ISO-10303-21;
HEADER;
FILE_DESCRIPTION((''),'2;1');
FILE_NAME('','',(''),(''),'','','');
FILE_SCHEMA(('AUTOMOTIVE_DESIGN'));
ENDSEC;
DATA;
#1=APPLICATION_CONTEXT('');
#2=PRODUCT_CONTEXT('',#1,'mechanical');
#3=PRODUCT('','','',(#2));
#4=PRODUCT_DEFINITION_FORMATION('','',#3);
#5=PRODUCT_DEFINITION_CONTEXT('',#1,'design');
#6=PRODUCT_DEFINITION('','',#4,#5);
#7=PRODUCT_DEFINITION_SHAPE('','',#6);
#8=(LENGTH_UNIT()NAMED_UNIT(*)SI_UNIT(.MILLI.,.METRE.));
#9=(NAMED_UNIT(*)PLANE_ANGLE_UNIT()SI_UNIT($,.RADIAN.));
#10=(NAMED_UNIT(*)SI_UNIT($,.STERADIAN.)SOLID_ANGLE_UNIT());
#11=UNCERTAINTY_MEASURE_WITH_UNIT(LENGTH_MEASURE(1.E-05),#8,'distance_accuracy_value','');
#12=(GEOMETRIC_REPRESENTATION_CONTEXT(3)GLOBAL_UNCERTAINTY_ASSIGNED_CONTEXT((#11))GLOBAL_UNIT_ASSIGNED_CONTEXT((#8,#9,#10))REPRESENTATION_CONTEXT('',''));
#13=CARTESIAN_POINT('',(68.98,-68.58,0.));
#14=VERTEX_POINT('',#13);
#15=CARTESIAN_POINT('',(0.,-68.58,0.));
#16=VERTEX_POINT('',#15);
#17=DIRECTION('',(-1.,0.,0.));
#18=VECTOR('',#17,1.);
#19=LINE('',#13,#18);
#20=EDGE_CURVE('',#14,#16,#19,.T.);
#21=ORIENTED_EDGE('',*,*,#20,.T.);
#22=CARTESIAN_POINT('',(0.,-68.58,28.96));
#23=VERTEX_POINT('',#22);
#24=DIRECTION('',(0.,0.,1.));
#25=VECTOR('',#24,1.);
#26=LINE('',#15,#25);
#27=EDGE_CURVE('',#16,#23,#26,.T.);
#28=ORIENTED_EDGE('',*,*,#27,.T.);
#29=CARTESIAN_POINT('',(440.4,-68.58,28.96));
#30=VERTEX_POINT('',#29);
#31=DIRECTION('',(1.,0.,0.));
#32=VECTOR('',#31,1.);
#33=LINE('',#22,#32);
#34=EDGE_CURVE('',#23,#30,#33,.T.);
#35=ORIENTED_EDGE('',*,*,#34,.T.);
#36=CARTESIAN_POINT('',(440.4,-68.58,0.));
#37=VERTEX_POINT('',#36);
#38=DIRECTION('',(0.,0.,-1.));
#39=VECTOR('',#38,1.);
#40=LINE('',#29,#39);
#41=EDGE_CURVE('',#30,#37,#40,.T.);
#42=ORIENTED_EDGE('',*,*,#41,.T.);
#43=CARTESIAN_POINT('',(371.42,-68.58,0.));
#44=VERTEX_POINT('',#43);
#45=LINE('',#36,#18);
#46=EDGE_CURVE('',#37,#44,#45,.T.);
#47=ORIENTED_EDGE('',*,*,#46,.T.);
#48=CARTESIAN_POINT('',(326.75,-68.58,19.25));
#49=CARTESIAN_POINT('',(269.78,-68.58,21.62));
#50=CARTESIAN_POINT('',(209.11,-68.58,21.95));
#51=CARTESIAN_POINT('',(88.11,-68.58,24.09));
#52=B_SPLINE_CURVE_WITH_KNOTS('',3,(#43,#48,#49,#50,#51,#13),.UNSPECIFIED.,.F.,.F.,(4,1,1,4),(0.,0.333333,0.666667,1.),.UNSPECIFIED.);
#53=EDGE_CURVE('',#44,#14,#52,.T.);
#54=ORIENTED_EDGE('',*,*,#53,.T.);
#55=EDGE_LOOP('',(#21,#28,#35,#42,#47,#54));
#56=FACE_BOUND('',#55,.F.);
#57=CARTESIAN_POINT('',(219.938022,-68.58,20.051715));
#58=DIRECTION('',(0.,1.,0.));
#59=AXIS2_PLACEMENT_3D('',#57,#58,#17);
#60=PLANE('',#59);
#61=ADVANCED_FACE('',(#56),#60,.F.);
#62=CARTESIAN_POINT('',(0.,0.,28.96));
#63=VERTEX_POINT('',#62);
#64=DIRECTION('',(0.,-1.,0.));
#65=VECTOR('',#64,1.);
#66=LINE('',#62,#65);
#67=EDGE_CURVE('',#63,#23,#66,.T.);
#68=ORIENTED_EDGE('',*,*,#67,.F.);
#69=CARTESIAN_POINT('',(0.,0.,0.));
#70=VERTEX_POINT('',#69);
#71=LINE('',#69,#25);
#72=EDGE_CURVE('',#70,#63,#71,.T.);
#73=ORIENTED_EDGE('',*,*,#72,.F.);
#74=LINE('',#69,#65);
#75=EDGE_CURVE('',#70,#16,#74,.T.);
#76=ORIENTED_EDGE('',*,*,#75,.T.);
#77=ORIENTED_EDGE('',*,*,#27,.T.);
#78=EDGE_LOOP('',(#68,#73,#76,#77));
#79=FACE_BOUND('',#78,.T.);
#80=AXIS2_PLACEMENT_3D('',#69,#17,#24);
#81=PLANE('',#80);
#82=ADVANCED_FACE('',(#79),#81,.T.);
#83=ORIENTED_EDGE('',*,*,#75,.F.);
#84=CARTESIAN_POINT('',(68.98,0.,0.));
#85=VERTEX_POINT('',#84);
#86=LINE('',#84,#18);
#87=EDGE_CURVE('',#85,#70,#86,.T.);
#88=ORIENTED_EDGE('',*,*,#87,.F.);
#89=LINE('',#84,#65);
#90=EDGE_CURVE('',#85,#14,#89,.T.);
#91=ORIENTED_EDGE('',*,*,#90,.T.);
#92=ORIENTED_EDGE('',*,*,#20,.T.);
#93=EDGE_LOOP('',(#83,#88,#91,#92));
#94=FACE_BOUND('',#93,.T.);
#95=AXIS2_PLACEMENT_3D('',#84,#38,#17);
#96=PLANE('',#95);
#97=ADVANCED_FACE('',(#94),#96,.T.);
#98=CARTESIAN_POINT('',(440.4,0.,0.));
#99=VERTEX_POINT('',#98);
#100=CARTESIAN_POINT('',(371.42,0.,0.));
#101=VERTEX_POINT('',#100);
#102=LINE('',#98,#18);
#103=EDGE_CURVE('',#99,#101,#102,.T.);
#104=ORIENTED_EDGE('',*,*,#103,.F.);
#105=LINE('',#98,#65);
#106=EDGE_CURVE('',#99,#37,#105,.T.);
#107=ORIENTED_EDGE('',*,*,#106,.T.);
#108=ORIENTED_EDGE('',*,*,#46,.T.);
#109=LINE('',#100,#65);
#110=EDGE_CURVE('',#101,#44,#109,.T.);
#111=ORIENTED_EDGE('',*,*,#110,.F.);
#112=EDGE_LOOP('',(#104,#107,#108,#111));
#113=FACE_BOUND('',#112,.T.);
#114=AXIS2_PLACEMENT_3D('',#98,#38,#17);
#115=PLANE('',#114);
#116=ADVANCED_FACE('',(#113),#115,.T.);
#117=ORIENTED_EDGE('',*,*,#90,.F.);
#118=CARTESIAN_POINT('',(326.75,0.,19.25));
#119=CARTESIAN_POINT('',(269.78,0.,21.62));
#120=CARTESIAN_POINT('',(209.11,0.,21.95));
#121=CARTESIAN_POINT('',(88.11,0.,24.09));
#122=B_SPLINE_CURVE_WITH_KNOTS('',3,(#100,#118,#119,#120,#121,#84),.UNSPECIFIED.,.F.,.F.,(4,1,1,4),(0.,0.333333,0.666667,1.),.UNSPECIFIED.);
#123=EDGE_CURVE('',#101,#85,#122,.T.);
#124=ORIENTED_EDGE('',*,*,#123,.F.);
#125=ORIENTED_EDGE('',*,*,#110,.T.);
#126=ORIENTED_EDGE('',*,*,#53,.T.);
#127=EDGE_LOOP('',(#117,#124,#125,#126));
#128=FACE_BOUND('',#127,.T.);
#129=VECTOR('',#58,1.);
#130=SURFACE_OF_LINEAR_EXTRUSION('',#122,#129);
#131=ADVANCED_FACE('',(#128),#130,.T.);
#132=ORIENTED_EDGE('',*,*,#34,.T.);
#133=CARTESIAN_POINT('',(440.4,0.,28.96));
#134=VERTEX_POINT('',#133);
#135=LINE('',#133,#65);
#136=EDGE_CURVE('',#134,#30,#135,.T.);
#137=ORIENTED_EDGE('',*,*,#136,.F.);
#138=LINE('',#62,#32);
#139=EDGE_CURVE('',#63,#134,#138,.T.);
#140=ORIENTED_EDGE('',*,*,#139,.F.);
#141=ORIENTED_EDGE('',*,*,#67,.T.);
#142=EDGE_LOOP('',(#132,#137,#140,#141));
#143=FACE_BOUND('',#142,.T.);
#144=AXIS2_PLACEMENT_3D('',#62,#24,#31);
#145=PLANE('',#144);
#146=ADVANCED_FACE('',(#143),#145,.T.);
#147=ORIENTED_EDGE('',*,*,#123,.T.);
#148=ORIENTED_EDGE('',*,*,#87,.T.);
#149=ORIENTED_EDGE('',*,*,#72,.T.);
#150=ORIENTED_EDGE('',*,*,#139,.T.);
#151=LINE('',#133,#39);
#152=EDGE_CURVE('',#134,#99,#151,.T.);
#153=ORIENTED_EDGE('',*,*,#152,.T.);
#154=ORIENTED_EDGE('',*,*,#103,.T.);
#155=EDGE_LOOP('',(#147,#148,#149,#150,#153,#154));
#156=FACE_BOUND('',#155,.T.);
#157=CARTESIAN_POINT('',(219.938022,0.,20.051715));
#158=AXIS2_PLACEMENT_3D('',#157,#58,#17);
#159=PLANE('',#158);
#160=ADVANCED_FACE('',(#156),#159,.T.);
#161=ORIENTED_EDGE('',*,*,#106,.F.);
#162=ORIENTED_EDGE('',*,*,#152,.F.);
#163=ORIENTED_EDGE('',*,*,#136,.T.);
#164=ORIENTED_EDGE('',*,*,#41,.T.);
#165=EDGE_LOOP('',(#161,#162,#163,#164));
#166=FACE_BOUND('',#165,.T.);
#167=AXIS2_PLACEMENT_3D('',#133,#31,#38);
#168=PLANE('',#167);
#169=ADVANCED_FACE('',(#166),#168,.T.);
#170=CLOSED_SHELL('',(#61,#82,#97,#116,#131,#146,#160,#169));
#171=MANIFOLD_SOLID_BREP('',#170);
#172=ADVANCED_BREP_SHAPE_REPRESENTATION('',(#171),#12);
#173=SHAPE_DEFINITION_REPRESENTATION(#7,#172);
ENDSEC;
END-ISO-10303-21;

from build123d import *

# Parameters (mm, degrees)
BAR_DEPTH = 68.58


with BuildPart() as part:
    # Sketch → Bar (new body)
    with BuildSketch(Plane.XZ):
        with BuildLine():
            Line((68.98, 0), (0, 0))
            Line((0, 0), (0, 28.96))
            Line((0, 28.96), (440.4, 28.96))
            Line((440.4, 28.96), (440.4, 0))
            Line((440.4, 0), (371.42, 0))
            add(Edge.make_bspline(
                [(371.42, 0), (326.75, 19.25), (269.78, 21.62), (209.11, 21.95), (88.11, 24.09), (68.98, 0)],
                knots=[0, 0, 0, 0, 0.333333, 0.666667, 1, 1, 1, 1], degree=3))
        make_face()
    extrude(amount=BAR_DEPTH)


solid = part.part
